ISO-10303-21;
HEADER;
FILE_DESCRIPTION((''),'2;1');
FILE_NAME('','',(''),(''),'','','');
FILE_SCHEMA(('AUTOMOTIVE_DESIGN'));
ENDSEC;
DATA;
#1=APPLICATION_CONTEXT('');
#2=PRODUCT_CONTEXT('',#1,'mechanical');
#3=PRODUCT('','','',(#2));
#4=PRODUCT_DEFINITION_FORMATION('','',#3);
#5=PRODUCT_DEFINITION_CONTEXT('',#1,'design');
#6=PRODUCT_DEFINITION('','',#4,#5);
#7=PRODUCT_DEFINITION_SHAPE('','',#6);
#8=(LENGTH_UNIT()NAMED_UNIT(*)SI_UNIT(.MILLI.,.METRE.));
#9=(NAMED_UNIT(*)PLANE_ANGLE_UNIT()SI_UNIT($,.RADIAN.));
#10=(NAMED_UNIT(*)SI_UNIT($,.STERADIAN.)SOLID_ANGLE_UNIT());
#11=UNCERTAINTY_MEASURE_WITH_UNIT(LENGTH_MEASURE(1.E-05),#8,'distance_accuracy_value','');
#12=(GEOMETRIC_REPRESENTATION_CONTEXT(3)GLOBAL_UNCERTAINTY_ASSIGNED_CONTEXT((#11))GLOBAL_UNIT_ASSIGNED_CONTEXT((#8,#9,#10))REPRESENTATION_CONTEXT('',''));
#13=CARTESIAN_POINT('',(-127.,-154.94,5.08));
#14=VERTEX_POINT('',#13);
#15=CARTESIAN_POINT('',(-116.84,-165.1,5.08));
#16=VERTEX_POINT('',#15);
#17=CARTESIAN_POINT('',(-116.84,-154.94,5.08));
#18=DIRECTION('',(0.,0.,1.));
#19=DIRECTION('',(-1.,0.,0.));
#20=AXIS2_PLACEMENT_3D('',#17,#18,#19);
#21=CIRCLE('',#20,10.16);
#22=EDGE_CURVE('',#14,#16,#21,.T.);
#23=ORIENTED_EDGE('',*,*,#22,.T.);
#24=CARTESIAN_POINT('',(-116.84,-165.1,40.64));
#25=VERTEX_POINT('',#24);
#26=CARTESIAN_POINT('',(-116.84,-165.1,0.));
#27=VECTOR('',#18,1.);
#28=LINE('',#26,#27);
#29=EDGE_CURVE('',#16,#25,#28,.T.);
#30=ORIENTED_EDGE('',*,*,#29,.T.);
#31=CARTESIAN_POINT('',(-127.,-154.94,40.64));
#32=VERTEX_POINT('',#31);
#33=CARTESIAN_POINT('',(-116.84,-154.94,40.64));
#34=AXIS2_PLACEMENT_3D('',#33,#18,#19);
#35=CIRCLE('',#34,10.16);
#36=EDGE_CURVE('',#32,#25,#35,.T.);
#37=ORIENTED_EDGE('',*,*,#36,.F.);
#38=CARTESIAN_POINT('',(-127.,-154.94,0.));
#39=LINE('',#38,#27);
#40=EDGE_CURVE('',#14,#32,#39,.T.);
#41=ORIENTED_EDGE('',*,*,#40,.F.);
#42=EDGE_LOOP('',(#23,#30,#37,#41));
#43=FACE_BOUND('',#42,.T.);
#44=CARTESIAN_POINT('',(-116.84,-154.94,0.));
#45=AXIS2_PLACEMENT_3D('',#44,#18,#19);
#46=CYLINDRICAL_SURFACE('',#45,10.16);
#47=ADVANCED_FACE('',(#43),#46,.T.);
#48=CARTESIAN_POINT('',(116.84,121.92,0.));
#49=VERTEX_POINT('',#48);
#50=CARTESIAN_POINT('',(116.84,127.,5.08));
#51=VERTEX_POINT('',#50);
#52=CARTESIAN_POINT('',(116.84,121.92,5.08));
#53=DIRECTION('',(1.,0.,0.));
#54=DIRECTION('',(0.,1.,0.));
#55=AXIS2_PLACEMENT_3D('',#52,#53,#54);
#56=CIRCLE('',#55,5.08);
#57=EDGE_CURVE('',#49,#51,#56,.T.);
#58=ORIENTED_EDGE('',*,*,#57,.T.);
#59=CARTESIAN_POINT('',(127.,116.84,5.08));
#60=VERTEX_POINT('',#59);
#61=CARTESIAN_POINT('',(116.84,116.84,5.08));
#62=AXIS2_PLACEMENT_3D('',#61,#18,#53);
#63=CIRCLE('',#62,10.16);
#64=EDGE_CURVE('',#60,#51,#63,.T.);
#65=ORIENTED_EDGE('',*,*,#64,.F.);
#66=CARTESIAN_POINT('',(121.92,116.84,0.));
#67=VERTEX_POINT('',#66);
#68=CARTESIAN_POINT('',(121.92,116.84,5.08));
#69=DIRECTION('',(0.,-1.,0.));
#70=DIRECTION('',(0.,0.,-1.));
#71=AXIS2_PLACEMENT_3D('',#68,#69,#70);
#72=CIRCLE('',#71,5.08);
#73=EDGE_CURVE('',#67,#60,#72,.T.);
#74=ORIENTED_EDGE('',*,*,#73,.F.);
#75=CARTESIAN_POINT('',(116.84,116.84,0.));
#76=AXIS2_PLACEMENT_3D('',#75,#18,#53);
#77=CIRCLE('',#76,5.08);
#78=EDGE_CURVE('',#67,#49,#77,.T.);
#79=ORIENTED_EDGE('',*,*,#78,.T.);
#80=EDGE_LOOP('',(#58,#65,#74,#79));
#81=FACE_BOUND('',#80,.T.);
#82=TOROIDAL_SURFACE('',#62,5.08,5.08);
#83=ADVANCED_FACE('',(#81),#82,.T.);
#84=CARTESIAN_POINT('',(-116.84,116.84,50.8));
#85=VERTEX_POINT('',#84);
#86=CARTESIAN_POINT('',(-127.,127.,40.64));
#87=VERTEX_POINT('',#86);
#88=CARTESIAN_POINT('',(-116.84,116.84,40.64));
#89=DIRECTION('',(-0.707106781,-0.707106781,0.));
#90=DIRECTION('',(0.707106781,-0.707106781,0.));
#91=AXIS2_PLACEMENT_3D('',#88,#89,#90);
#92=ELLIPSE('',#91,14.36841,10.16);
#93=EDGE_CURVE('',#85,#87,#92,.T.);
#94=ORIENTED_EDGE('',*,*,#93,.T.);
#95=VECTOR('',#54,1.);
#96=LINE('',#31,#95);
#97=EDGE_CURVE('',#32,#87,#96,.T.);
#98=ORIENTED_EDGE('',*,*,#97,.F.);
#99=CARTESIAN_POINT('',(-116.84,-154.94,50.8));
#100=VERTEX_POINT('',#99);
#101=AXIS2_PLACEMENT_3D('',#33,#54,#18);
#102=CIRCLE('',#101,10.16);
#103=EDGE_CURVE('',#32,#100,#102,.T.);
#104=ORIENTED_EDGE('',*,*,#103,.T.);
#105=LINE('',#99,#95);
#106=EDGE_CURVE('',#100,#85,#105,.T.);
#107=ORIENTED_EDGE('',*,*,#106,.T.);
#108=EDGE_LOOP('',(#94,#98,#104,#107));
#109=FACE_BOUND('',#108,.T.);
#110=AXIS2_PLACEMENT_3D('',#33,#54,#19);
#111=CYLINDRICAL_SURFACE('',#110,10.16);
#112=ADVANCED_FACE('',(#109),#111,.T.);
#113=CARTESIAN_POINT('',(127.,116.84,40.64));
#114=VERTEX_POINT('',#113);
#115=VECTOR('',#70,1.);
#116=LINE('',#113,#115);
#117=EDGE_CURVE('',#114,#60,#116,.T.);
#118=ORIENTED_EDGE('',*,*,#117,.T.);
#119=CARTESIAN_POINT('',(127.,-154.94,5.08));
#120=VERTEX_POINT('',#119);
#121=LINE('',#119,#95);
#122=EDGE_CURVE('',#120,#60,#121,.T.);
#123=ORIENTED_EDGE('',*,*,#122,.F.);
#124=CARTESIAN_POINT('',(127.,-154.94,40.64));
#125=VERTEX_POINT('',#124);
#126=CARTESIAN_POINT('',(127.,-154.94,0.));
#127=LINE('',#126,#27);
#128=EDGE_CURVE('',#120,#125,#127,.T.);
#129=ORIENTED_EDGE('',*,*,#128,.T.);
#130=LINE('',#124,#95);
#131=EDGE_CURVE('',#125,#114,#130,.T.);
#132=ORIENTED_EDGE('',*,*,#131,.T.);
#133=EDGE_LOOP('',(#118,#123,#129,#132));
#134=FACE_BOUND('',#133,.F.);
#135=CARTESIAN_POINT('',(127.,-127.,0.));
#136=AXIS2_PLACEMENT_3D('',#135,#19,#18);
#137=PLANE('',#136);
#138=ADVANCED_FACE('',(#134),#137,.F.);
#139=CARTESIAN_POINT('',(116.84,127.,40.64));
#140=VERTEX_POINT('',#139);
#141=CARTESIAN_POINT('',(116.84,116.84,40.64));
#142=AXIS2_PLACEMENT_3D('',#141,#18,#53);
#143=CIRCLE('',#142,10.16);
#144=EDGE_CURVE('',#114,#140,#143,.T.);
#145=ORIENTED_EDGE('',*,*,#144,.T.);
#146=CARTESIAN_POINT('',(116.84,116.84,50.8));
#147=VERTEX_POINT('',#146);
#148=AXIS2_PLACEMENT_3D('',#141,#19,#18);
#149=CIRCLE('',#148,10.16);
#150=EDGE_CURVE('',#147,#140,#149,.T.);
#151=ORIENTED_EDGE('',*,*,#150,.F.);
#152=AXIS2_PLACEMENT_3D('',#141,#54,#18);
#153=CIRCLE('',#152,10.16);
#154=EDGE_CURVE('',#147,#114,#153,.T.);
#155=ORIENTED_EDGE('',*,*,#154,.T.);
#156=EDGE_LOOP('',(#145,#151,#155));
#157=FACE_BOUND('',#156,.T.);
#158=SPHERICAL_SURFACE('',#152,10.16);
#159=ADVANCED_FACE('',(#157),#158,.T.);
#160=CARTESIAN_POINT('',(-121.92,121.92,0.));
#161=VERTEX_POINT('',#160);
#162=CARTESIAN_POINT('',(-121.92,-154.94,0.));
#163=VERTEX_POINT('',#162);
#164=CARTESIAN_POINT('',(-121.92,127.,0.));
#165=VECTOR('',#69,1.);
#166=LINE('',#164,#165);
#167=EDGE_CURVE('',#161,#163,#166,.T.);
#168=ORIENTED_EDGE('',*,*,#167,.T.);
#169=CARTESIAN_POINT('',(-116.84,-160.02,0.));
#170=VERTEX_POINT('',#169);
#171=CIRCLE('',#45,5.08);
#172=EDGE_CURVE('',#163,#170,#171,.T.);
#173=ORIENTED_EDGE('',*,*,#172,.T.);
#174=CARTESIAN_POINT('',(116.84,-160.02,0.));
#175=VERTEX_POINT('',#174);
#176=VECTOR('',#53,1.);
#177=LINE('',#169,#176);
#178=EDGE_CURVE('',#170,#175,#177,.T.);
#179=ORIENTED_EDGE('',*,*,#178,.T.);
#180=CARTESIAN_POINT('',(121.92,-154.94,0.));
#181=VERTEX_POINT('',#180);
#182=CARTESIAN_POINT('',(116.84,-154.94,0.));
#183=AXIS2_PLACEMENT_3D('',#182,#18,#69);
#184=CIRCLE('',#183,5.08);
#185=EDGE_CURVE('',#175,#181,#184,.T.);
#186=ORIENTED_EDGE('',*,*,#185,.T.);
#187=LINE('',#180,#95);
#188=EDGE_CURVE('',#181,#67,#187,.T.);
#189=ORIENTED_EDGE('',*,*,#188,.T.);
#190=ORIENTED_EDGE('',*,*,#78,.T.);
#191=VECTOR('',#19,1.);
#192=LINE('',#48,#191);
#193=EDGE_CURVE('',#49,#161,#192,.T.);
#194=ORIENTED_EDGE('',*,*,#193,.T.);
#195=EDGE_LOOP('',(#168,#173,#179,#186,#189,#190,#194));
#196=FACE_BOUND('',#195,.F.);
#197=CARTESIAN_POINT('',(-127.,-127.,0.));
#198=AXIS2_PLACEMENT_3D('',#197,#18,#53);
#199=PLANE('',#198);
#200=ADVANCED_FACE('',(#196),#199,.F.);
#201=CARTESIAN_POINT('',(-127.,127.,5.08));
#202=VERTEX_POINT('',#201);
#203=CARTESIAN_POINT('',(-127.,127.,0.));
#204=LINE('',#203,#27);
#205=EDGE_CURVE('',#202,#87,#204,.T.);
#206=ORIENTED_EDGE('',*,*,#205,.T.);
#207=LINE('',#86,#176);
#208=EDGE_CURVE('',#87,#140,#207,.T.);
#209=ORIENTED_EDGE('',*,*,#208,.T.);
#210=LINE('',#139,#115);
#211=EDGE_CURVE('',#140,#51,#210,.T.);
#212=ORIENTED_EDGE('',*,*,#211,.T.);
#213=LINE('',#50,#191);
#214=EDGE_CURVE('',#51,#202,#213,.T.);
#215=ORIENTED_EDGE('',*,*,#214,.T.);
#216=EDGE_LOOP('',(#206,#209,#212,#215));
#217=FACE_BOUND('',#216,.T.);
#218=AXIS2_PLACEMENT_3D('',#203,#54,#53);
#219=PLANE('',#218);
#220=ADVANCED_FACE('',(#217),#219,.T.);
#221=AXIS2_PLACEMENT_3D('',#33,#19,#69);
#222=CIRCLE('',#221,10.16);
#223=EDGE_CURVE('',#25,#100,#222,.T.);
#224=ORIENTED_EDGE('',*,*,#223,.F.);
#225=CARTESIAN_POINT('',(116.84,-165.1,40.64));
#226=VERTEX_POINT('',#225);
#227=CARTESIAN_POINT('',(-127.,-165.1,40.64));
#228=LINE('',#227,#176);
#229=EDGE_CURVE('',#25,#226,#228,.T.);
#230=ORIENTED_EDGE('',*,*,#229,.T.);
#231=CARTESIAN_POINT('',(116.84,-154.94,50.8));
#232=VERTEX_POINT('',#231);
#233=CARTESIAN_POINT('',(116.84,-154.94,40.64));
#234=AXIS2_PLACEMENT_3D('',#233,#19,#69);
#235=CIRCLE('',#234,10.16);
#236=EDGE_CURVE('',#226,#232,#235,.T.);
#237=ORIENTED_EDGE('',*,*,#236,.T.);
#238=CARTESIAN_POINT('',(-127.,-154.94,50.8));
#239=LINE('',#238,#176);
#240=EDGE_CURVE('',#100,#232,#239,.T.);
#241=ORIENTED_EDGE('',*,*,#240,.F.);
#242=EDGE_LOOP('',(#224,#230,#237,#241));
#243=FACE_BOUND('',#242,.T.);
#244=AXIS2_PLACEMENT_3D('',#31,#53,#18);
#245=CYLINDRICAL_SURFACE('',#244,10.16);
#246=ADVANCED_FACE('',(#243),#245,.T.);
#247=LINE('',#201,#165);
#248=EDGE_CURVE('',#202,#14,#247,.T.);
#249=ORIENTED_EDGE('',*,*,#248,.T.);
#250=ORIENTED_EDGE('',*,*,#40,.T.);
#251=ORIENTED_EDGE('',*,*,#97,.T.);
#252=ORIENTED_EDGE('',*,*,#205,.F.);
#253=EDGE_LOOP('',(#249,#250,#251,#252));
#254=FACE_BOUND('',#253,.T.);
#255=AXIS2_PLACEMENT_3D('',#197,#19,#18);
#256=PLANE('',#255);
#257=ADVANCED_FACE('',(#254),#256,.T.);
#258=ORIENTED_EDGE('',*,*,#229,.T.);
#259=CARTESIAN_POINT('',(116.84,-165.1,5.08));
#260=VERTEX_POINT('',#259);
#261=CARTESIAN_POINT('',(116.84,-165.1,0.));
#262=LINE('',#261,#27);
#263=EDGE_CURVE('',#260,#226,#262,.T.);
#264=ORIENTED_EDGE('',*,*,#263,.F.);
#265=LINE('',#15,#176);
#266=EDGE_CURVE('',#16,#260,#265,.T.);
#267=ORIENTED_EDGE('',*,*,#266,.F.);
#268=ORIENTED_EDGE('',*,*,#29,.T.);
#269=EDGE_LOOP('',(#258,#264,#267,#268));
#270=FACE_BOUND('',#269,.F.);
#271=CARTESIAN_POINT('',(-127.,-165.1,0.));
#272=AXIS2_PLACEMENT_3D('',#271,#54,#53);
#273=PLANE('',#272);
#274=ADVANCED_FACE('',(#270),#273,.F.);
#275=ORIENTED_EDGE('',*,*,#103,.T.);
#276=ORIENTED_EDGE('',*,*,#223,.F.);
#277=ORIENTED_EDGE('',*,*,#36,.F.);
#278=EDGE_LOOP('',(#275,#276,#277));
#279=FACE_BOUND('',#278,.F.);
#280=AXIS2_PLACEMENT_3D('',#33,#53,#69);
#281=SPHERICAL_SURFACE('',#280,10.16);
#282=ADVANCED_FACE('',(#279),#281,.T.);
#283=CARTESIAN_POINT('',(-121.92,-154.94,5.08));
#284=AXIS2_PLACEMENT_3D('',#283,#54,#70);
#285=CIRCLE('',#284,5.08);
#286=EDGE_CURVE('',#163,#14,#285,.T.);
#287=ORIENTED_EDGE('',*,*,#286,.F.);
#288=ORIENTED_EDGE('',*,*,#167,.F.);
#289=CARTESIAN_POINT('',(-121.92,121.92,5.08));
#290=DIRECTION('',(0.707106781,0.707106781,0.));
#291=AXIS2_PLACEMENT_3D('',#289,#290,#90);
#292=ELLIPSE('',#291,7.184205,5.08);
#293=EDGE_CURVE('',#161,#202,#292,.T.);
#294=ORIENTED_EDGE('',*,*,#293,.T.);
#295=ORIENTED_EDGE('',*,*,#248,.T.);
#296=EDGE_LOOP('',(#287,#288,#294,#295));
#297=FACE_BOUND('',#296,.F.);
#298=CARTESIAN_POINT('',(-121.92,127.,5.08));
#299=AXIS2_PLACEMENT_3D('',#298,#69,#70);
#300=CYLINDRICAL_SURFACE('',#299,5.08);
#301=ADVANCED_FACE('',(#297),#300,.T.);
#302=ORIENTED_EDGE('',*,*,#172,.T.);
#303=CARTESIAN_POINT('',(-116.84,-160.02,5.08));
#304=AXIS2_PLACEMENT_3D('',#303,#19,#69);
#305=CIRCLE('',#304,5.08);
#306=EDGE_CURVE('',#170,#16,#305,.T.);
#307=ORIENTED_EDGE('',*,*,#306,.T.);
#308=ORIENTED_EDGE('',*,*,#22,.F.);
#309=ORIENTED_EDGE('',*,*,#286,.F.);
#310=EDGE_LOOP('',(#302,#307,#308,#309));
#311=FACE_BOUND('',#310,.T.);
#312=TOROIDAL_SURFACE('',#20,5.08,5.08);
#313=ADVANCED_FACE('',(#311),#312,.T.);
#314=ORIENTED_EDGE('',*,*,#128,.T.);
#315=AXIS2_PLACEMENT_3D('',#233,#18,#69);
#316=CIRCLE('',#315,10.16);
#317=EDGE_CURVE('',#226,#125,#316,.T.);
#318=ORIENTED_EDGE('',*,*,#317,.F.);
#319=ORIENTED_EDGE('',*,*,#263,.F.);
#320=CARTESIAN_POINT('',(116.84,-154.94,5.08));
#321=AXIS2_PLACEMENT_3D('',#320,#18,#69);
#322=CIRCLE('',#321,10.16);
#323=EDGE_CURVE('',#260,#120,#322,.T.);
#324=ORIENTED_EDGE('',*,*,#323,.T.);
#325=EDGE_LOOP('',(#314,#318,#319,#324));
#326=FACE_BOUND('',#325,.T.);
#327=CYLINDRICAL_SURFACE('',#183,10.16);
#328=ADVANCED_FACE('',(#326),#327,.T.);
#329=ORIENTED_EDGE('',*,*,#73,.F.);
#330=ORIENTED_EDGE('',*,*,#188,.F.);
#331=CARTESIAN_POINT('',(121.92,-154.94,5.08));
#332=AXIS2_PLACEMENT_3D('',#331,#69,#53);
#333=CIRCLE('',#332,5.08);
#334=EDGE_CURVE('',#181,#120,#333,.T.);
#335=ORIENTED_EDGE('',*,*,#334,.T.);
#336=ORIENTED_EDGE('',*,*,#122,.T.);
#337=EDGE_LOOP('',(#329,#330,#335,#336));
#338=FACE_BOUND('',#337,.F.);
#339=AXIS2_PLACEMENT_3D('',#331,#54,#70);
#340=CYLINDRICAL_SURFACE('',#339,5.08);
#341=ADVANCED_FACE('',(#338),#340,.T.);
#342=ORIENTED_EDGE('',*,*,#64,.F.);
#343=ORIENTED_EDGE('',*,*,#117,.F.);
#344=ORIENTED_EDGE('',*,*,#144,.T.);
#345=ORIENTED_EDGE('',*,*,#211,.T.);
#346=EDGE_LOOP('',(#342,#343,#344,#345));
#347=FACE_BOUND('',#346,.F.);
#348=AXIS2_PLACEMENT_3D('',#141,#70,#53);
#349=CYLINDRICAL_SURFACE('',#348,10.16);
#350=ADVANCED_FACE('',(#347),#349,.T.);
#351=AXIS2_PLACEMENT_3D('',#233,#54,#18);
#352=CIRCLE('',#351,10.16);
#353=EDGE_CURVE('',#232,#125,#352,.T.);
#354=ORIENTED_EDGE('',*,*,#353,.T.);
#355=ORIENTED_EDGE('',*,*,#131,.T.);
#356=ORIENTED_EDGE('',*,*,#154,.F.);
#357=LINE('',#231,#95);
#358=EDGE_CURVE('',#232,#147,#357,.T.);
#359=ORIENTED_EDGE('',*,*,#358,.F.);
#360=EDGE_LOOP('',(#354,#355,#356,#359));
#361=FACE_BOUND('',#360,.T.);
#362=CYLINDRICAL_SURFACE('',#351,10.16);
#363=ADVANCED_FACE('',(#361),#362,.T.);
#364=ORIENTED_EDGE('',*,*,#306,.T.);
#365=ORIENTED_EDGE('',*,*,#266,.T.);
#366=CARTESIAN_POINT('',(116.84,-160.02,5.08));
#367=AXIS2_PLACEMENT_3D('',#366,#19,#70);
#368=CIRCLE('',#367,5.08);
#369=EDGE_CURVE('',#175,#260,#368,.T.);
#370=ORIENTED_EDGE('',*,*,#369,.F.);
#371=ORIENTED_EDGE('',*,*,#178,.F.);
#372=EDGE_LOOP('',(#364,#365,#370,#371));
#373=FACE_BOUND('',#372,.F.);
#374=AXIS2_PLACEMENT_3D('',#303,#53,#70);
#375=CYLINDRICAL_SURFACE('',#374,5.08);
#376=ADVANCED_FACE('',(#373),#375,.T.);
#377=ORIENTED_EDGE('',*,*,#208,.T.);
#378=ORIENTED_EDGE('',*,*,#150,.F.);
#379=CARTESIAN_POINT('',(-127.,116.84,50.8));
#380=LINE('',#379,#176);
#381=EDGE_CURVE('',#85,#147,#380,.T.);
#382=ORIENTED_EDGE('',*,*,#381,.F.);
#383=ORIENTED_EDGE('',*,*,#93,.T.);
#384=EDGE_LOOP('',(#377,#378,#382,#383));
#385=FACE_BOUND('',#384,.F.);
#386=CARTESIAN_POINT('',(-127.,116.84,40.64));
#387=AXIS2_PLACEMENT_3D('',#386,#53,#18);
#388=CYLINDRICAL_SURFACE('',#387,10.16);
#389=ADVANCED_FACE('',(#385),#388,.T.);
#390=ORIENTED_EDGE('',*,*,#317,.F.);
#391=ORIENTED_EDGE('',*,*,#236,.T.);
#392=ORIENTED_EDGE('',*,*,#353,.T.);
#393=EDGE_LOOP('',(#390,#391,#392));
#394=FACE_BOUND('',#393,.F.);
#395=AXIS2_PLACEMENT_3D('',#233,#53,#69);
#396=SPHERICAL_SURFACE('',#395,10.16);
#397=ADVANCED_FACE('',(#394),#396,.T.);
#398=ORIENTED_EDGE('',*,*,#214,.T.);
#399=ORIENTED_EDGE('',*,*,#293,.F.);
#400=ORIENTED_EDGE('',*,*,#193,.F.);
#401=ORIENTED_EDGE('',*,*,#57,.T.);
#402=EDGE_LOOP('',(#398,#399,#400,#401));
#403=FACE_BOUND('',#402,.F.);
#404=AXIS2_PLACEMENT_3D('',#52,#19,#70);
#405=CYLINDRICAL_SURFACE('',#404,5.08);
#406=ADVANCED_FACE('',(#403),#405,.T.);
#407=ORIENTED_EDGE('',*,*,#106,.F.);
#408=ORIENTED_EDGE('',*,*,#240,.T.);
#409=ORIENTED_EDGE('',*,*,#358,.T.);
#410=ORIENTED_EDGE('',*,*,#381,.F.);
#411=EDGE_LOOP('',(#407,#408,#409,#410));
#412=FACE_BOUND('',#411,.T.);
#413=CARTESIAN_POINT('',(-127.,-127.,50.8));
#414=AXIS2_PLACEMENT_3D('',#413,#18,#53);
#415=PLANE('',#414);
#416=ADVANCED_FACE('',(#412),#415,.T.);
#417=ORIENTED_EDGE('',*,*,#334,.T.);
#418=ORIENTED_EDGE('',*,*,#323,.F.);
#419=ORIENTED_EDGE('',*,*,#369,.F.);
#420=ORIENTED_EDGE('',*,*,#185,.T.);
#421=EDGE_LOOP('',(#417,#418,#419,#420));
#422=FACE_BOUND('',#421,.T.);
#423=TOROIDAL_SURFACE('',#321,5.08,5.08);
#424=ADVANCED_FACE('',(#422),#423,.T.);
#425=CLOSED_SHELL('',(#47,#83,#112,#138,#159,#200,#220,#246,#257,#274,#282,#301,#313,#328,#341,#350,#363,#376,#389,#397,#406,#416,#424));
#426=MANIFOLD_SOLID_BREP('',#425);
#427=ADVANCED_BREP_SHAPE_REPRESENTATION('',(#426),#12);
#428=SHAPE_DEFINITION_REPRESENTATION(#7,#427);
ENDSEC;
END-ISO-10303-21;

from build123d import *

# Parameters (mm, degrees)
F0_W     = 254
F0_H     = 254
F1_DEPTH = 50.8
F2_DEPTH = 38.1
F3_R     = 10.16
F4_R     = 10.16
F5_R     = 10.16
F6_R     = 5.08


with BuildPart() as f1:
    # F0 (on Top) → F1 (new body)
    with BuildSketch(Plane.XY):
        Rectangle(F0_W, F0_H)
    extrude(amount=F1_DEPTH)

    # F2 (add): a face of the model
    f2_faces = [f1.faces().sort_by_distance(p)[0] for p in [
        (0, -127, 25.4),
    ]]
    extrude(f2_faces, amount=F2_DEPTH)

    # F3
    f3_edges = [f1.edges().sort_by_distance(p)[0] for p in [
        (0, -165.1, 50.8),
    ]]
    fillet(f3_edges, radius=F3_R)

    # F4
    f4_edges = [f1.edges().sort_by_distance(p)[0] for p in [
        (127, -13.97, 50.8),
    ]]
    fillet(f4_edges, radius=F4_R)

    # F5
    f5_edges = [f1.edges().sort_by_distance(p)[0] for p in [
        (-5.08, 127, 50.8),
        (-127, -13.97, 50.8),
    ]]
    fillet(f5_edges, radius=F5_R)

    # F6
    f6_edges = [f1.edges().sort_by_distance(p)[0] for p in [
        (-127, -13.97, 0),
        (-5.08, 127, 0),
        (127, -19.05, 0),
        (0, -165.1, 0),
    ]]
    fillet(f6_edges, radius=F6_R)


solid = f1.part
